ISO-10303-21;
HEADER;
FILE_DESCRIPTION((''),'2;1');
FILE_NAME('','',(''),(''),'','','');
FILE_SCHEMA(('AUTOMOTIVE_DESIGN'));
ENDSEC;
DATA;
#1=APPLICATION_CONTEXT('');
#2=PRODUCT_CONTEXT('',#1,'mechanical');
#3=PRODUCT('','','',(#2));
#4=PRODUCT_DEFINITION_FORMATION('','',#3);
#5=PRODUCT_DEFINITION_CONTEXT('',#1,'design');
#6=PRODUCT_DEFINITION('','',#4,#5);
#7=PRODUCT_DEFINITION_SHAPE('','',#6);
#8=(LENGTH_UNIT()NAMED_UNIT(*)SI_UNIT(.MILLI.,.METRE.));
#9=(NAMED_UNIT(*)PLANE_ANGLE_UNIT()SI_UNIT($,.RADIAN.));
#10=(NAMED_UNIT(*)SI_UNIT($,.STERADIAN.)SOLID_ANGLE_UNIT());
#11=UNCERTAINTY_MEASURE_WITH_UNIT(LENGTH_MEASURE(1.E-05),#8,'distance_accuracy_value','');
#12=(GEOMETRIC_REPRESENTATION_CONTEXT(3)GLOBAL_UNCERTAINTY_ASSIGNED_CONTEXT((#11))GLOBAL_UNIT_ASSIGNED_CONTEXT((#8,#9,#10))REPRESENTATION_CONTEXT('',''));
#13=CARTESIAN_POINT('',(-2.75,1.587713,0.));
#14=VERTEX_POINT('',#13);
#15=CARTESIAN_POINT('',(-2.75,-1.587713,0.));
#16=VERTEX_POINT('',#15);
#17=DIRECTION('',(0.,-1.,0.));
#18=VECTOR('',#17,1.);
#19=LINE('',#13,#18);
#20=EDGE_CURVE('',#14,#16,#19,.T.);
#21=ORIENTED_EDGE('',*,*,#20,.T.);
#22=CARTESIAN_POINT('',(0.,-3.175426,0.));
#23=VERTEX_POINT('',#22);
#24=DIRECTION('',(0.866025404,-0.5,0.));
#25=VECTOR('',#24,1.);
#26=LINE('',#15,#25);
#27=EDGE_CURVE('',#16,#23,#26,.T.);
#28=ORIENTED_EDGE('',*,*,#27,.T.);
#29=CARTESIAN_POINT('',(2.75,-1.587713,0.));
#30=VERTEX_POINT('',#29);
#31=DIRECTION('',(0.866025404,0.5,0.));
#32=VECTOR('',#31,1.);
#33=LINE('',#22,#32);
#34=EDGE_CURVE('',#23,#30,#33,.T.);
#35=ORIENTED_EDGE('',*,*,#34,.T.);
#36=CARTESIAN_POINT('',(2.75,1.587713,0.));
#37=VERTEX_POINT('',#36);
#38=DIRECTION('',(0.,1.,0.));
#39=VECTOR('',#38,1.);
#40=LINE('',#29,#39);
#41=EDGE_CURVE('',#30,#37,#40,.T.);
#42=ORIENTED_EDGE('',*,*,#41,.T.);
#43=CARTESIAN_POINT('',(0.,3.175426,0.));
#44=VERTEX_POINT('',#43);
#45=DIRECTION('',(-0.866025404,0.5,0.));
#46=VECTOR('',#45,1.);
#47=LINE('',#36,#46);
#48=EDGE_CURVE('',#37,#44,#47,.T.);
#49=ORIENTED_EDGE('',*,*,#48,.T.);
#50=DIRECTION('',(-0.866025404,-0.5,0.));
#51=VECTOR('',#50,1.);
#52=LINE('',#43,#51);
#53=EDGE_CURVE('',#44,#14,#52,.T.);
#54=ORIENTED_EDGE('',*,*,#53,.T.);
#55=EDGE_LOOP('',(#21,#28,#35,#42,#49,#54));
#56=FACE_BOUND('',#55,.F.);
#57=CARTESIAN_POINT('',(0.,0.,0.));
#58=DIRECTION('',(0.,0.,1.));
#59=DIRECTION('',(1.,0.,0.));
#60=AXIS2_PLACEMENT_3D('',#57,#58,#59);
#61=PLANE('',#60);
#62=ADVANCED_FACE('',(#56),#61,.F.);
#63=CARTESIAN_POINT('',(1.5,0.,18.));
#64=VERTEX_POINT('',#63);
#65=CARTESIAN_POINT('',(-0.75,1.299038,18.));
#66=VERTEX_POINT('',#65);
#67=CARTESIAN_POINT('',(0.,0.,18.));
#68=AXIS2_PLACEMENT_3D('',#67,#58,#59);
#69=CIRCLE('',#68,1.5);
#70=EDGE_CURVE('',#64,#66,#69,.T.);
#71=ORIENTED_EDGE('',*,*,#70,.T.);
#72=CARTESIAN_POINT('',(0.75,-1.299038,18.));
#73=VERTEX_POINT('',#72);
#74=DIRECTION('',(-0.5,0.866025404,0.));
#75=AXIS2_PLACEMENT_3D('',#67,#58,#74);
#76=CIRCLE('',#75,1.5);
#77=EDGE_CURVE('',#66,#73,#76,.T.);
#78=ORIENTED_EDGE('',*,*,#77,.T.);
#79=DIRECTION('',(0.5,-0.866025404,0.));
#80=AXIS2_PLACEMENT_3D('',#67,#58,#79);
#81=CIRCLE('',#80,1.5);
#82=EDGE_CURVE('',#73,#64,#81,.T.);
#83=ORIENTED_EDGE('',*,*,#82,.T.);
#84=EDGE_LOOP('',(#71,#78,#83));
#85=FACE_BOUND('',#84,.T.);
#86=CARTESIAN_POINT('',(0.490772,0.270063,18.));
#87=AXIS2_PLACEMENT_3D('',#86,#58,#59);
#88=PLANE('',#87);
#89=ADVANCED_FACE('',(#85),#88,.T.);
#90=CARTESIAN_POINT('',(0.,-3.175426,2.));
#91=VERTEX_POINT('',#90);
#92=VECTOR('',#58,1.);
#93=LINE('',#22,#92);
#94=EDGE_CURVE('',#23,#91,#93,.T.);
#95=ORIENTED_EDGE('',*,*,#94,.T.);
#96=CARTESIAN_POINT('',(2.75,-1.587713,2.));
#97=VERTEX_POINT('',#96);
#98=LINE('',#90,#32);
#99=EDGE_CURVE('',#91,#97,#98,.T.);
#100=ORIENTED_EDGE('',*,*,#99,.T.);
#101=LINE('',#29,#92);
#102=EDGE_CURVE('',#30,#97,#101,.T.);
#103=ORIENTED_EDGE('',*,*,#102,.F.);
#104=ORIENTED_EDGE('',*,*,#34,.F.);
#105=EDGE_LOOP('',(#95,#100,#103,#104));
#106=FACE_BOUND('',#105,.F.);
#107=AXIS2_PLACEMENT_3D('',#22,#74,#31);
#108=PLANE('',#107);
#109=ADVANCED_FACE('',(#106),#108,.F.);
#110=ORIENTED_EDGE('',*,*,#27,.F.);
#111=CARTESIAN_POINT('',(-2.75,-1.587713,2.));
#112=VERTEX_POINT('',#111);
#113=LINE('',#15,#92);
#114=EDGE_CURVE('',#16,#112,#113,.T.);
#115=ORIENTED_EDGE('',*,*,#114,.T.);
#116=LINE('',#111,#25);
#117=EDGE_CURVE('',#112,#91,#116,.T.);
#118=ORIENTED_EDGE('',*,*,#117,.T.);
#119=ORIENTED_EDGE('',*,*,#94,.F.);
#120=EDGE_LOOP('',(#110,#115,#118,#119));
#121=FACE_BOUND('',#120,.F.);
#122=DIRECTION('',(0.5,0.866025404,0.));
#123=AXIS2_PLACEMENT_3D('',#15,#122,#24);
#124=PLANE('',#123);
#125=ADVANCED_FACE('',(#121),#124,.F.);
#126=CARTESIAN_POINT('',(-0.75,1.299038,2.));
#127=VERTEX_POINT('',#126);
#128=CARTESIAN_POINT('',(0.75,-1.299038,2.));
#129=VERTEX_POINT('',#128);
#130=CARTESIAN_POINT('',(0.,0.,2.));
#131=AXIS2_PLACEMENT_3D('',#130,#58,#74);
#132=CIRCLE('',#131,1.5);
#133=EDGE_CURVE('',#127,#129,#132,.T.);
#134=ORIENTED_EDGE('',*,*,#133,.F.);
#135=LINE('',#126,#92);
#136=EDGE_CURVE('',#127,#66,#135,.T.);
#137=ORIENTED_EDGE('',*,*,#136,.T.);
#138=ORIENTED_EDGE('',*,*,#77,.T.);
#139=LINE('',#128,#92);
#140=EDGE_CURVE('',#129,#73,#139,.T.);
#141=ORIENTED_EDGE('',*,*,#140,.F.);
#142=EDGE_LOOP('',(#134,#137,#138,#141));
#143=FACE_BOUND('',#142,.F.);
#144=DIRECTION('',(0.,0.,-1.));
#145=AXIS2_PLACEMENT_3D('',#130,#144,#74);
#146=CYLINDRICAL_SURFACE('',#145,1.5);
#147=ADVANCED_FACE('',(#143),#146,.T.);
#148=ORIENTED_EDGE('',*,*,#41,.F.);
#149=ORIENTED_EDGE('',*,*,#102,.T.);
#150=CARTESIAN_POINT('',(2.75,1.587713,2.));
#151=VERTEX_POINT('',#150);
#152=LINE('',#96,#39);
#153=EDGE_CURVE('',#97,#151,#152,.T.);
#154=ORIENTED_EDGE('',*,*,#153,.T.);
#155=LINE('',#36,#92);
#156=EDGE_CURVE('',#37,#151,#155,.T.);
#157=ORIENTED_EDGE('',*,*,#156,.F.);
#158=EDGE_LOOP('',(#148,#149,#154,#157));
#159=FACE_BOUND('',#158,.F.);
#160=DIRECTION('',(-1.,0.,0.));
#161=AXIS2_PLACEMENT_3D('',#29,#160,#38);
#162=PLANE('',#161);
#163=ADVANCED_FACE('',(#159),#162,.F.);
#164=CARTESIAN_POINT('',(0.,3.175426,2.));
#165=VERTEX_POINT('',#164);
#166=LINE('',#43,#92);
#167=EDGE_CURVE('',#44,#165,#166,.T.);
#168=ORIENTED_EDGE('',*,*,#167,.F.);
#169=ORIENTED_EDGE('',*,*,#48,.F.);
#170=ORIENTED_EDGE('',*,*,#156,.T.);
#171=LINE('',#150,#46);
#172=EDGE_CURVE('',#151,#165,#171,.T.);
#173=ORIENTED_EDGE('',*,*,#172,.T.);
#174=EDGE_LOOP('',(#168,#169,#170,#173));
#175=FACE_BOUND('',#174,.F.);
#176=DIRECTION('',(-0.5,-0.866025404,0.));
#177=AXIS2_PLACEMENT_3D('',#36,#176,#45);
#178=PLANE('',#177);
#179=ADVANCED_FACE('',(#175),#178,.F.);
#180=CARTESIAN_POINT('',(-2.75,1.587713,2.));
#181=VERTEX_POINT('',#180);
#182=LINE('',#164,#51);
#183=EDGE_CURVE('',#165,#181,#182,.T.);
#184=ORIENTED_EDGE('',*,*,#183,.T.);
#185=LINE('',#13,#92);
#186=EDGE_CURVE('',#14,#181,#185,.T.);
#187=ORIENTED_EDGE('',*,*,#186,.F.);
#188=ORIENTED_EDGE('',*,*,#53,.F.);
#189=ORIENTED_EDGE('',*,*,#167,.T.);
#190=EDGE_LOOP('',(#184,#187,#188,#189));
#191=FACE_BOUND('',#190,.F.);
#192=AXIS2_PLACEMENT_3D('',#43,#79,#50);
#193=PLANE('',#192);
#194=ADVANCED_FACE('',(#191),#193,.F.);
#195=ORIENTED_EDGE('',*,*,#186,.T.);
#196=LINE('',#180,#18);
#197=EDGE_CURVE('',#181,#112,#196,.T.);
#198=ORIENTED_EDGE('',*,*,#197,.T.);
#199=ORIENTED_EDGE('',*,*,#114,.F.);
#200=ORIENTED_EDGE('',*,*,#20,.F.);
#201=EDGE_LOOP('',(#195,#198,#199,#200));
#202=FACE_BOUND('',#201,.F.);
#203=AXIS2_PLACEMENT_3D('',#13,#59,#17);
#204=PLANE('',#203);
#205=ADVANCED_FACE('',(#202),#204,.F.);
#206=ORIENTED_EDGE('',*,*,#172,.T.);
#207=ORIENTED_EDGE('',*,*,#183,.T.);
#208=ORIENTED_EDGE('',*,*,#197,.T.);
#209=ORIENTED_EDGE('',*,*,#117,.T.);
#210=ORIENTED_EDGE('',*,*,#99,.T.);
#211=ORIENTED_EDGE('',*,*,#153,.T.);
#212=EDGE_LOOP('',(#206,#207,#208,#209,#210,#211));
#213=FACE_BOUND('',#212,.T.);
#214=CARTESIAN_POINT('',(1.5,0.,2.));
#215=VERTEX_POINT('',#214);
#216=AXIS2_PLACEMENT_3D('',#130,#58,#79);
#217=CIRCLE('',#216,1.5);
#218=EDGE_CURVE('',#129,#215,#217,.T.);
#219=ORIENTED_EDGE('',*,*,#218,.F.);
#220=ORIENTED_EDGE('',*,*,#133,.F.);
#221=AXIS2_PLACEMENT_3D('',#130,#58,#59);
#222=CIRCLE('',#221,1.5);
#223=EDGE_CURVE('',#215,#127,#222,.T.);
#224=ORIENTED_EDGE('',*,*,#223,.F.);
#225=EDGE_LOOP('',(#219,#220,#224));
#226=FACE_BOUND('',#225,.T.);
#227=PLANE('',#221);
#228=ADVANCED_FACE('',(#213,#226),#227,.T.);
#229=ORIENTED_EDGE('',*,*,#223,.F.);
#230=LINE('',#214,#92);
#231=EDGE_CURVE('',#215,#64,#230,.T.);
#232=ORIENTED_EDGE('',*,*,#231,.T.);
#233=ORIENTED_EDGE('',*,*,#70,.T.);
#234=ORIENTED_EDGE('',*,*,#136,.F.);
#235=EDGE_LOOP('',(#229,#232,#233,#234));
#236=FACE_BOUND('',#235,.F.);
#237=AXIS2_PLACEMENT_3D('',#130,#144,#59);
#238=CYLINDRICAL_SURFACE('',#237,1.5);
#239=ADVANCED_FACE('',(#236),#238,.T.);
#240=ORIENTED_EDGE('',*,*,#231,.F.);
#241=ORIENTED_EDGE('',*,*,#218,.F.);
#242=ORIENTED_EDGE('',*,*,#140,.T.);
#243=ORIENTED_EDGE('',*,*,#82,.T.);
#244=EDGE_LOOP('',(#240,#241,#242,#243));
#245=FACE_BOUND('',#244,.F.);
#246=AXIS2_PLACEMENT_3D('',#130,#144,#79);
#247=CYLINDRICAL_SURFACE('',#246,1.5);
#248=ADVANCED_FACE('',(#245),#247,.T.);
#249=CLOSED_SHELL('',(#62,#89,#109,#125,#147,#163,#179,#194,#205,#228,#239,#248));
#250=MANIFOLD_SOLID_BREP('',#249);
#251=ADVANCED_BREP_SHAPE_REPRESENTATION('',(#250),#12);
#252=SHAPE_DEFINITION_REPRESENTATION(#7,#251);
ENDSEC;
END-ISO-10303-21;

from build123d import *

# Parameters (mm, degrees)
F1_DEPTH = 2
F3_DEPTH = 16


with BuildPart() as f1:
    # F0 (on Top) → F1 (new body)
    with BuildSketch(Plane.XY):
        Polygon((2.75, -1.5877132403), (2.75, 1.5877132403), (0, 3.1754264805), (-2.75, 1.5877132403), (-2.75, -1.5877132403), (0, -3.1754264805), align=None)
    extrude(amount=F1_DEPTH)

    # F2 (on face) → F3 (join)
    with BuildSketch(Plane.XY.offset(2)):
        with BuildLine():
            ThreePointArc((1.5, 0), (0.75, 1.2990381057), (-0.75, 1.2990381057))
            Line((-0.75, 1.2990381057), (0.75, -1.2990381057))
            ThreePointArc((0.75, -1.2990381057), (1.2990381057, -0.75), (1.5, 0))
        make_face()
        with BuildLine():
            Line((0.75, -1.2990381057), (-0.75, 1.2990381057))
            ThreePointArc((-0.75, 1.2990381057), (-1.2990381057, -0.75), (0.75, -1.2990381057))
        make_face()
    extrude(amount=F3_DEPTH)


solid = f1.part
